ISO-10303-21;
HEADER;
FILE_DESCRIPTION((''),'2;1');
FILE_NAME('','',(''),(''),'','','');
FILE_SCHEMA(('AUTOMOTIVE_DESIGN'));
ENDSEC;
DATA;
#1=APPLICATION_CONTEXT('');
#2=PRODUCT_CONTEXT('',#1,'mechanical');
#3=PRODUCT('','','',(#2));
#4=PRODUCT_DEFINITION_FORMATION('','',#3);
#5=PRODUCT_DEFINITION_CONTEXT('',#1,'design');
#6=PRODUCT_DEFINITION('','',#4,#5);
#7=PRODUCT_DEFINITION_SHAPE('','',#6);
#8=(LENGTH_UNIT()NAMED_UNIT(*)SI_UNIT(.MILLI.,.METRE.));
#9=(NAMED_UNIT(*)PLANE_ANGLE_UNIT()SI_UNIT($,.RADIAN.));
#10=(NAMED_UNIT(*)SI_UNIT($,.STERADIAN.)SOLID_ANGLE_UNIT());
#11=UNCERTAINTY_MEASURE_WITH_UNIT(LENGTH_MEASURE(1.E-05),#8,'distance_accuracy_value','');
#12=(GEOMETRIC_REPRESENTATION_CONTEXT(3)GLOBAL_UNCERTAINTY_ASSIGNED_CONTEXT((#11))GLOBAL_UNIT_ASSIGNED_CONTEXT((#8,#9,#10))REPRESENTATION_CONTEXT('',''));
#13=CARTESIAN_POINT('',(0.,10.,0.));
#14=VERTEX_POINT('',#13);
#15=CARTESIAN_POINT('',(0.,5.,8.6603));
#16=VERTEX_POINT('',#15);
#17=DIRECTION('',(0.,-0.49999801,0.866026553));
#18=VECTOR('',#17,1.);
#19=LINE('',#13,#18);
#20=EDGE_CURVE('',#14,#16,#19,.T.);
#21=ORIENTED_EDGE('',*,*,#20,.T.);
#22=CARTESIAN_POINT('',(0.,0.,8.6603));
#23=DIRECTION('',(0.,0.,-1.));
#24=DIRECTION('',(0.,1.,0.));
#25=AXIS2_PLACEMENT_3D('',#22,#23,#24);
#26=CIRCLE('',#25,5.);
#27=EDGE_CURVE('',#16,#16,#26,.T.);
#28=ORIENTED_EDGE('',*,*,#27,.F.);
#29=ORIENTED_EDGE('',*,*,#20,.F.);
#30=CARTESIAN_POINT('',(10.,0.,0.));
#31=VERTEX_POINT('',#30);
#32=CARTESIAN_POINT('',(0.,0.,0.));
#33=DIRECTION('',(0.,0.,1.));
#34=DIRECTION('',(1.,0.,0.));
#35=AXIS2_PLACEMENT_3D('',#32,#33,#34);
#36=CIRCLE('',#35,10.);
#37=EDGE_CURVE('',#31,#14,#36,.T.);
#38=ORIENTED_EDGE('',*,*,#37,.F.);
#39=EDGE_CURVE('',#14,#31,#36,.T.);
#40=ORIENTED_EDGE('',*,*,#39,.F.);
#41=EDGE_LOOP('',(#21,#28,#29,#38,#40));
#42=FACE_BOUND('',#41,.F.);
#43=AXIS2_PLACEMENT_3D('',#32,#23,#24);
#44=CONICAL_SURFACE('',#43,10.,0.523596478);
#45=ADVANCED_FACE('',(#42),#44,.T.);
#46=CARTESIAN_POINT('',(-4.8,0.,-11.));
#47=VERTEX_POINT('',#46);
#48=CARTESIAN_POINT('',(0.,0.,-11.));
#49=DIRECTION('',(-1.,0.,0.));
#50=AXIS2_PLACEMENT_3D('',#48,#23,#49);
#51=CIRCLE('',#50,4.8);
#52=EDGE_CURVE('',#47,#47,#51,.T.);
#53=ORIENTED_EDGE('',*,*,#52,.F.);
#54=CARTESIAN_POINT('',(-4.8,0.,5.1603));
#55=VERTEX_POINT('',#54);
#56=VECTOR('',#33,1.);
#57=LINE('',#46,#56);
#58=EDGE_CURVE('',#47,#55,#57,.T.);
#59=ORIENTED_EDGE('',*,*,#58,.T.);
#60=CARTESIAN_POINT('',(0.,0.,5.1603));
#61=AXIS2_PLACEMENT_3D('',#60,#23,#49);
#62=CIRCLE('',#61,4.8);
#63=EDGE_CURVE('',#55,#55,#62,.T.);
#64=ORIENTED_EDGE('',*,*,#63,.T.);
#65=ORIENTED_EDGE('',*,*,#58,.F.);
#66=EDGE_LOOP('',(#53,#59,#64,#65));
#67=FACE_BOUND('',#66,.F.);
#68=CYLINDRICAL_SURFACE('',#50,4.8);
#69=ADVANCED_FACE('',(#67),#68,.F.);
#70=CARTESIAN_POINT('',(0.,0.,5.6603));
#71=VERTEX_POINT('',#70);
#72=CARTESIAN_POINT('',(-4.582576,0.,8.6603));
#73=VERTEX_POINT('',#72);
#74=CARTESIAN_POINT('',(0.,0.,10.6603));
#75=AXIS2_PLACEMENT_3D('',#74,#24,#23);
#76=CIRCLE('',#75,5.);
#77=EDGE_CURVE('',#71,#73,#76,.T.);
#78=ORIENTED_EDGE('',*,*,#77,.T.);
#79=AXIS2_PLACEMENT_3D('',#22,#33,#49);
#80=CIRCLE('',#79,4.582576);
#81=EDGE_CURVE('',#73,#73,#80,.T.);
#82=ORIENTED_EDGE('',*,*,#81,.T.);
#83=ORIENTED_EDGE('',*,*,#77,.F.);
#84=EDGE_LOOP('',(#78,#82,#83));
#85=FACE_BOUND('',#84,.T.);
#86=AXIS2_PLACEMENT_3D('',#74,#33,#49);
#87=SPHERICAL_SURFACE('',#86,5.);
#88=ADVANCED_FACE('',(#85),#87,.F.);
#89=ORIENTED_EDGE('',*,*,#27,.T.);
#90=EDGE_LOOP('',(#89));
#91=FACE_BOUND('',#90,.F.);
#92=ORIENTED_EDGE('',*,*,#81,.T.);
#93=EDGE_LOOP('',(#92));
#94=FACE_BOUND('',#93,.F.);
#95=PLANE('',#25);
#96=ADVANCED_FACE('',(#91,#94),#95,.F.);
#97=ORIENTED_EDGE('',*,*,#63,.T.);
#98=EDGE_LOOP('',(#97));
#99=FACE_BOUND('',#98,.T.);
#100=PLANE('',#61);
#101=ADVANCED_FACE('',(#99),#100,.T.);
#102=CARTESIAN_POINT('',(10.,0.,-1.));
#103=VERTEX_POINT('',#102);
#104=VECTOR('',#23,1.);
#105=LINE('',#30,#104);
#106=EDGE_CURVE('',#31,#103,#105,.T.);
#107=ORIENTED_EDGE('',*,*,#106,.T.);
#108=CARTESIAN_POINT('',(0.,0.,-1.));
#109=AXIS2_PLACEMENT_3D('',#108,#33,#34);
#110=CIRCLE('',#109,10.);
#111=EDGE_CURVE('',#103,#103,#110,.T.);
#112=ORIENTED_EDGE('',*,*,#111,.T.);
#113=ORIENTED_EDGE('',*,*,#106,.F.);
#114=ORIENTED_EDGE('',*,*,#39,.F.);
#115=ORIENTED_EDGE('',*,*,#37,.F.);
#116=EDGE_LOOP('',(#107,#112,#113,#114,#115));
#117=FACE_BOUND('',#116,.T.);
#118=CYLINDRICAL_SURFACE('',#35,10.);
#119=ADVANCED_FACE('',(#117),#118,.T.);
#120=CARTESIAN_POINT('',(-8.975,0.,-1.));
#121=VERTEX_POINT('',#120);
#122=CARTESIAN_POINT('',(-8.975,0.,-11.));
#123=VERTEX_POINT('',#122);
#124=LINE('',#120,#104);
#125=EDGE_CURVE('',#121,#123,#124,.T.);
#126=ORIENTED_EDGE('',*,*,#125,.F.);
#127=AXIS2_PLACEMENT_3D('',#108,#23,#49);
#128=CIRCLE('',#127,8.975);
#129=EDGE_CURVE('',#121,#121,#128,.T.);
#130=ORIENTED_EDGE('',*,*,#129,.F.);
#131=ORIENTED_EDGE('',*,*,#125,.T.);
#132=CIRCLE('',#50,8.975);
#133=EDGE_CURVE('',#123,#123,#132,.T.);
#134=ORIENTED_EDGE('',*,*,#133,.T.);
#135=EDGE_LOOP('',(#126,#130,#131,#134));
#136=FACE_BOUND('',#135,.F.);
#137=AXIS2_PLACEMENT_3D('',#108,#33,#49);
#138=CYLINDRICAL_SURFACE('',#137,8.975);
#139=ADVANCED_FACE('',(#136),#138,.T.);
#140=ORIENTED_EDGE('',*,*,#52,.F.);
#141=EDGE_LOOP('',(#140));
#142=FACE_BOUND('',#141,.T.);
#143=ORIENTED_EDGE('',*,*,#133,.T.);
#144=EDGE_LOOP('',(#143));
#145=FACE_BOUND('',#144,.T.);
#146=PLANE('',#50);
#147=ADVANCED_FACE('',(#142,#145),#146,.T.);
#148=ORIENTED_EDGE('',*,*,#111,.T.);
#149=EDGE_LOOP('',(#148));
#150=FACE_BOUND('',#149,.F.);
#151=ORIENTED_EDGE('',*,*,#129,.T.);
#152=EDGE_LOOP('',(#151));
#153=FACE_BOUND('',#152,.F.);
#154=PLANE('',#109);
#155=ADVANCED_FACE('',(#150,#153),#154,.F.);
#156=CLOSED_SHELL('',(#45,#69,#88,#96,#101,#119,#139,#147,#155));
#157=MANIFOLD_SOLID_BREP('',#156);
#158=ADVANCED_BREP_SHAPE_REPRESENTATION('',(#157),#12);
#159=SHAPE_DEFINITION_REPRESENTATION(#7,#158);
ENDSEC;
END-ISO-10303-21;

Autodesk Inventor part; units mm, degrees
ref_plane "YZ Plane" through (0, 0, 0) normal (1, 0, 0) x (0, 1, 0)
ref_plane "XZ Plane" through (0, 0, 0) normal (0, 1, 0) x (-1, 0, 0)
ref_plane "XY Plane" through (0, 0, 0) normal (0, 0, 1) x (1, 0, 0)
sketch "RingSketch" plane through (0, 0, 0) normal (0, 0, 1) x (1, 0, 0)
  circle A0 centre (0, 0) radius 10
  dimension "RingDia" = 20
extrude "Ring" add sketch "RingSketch" against normal blind 1
sketch "ShankSketch" plane through (0, 0, -1) normal (0, 0, -1) x (-1, 0, 0)
  circle A0 centre (0, 0) radius 8.975
  dimension "ShankDia" = 17.95
extrude "Shank" add sketch "ShankSketch" along normal blind 10
sketch "ConeSketch" plane through (0, 0, 0) normal (1, 0, 0) x (0, 1, 0)
  line L0 (0, 0) -> (10, 0)
  line L1 (10, 0) -> (5, 8.6603)
  line L2 (5, 8.6603) -> (0, 8.6603)
  line L3 (0, 8.6603) -> (0, 0)
  line L4 (-10, 0) -> (10, 0) projected
  dimension "ConeAngle" = 60
  dimension "ConeBase" = 10
  dimension "ConeTipDia" = 5
revolve "Cone" add sketch "ConeSketch" angle 360 about axis through (0, 0, 8.6603) along (0, 0, -1)
sketch "SocketSketch" plane through (0, 0, 0) normal (0, 1, 0) x (-1, 0, 0)
  arc A0 (0, 5.6603) -> (0, 15.6603) centre (0, 10.6603) ccw
  line L0 (0, 15.6603) -> (0, 5.6603)
  line L1 (-5, 8.6603) -> (5, 8.6603) projected
  line L2 (5, 8.6603) -> (10, 0) projected
  point P0 (0, 0)
  dimension "RecessDia" = 10
  dimension "BallOffset" = 2
revolve "Socket" cut sketch "SocketSketch" angle 360 about axis through (0, 0, 15.6603) along (0, 0, -1)
sketch "MagnetHoleSketch" plane through (0, 0, -11) normal (0, 0, -1) x (-1, 0, 0)
  circle A0 centre (0, 0) radius 4.8
  dimension "MagnetHoleDia" = 9.6
extrude "MagnetHole" cut sketch "MagnetHoleSketch" against normal blind 16.1603
sketch "PartLength" plane through (0, 0, 0) normal (0, 1, 0) x (-1, 0, 0)
  line L0 (-5, 8.6603) -> (5, 8.6603) projected
  line L1 (-8.975, -11) -> (8.975, -11) projected
  point P0 (0, 0)
  dimension "PartLen" = 19.6603
equation "\"ConeBase\" = 0.5 * RingDia"
equation "\"ConeTipDia\" = 0.5 * BallDia"
equation "\"RecessDia\" = BallDia"
equation "\"BallDia\" = 10"
properties part number "Rod End 20mm Formula-driven"
